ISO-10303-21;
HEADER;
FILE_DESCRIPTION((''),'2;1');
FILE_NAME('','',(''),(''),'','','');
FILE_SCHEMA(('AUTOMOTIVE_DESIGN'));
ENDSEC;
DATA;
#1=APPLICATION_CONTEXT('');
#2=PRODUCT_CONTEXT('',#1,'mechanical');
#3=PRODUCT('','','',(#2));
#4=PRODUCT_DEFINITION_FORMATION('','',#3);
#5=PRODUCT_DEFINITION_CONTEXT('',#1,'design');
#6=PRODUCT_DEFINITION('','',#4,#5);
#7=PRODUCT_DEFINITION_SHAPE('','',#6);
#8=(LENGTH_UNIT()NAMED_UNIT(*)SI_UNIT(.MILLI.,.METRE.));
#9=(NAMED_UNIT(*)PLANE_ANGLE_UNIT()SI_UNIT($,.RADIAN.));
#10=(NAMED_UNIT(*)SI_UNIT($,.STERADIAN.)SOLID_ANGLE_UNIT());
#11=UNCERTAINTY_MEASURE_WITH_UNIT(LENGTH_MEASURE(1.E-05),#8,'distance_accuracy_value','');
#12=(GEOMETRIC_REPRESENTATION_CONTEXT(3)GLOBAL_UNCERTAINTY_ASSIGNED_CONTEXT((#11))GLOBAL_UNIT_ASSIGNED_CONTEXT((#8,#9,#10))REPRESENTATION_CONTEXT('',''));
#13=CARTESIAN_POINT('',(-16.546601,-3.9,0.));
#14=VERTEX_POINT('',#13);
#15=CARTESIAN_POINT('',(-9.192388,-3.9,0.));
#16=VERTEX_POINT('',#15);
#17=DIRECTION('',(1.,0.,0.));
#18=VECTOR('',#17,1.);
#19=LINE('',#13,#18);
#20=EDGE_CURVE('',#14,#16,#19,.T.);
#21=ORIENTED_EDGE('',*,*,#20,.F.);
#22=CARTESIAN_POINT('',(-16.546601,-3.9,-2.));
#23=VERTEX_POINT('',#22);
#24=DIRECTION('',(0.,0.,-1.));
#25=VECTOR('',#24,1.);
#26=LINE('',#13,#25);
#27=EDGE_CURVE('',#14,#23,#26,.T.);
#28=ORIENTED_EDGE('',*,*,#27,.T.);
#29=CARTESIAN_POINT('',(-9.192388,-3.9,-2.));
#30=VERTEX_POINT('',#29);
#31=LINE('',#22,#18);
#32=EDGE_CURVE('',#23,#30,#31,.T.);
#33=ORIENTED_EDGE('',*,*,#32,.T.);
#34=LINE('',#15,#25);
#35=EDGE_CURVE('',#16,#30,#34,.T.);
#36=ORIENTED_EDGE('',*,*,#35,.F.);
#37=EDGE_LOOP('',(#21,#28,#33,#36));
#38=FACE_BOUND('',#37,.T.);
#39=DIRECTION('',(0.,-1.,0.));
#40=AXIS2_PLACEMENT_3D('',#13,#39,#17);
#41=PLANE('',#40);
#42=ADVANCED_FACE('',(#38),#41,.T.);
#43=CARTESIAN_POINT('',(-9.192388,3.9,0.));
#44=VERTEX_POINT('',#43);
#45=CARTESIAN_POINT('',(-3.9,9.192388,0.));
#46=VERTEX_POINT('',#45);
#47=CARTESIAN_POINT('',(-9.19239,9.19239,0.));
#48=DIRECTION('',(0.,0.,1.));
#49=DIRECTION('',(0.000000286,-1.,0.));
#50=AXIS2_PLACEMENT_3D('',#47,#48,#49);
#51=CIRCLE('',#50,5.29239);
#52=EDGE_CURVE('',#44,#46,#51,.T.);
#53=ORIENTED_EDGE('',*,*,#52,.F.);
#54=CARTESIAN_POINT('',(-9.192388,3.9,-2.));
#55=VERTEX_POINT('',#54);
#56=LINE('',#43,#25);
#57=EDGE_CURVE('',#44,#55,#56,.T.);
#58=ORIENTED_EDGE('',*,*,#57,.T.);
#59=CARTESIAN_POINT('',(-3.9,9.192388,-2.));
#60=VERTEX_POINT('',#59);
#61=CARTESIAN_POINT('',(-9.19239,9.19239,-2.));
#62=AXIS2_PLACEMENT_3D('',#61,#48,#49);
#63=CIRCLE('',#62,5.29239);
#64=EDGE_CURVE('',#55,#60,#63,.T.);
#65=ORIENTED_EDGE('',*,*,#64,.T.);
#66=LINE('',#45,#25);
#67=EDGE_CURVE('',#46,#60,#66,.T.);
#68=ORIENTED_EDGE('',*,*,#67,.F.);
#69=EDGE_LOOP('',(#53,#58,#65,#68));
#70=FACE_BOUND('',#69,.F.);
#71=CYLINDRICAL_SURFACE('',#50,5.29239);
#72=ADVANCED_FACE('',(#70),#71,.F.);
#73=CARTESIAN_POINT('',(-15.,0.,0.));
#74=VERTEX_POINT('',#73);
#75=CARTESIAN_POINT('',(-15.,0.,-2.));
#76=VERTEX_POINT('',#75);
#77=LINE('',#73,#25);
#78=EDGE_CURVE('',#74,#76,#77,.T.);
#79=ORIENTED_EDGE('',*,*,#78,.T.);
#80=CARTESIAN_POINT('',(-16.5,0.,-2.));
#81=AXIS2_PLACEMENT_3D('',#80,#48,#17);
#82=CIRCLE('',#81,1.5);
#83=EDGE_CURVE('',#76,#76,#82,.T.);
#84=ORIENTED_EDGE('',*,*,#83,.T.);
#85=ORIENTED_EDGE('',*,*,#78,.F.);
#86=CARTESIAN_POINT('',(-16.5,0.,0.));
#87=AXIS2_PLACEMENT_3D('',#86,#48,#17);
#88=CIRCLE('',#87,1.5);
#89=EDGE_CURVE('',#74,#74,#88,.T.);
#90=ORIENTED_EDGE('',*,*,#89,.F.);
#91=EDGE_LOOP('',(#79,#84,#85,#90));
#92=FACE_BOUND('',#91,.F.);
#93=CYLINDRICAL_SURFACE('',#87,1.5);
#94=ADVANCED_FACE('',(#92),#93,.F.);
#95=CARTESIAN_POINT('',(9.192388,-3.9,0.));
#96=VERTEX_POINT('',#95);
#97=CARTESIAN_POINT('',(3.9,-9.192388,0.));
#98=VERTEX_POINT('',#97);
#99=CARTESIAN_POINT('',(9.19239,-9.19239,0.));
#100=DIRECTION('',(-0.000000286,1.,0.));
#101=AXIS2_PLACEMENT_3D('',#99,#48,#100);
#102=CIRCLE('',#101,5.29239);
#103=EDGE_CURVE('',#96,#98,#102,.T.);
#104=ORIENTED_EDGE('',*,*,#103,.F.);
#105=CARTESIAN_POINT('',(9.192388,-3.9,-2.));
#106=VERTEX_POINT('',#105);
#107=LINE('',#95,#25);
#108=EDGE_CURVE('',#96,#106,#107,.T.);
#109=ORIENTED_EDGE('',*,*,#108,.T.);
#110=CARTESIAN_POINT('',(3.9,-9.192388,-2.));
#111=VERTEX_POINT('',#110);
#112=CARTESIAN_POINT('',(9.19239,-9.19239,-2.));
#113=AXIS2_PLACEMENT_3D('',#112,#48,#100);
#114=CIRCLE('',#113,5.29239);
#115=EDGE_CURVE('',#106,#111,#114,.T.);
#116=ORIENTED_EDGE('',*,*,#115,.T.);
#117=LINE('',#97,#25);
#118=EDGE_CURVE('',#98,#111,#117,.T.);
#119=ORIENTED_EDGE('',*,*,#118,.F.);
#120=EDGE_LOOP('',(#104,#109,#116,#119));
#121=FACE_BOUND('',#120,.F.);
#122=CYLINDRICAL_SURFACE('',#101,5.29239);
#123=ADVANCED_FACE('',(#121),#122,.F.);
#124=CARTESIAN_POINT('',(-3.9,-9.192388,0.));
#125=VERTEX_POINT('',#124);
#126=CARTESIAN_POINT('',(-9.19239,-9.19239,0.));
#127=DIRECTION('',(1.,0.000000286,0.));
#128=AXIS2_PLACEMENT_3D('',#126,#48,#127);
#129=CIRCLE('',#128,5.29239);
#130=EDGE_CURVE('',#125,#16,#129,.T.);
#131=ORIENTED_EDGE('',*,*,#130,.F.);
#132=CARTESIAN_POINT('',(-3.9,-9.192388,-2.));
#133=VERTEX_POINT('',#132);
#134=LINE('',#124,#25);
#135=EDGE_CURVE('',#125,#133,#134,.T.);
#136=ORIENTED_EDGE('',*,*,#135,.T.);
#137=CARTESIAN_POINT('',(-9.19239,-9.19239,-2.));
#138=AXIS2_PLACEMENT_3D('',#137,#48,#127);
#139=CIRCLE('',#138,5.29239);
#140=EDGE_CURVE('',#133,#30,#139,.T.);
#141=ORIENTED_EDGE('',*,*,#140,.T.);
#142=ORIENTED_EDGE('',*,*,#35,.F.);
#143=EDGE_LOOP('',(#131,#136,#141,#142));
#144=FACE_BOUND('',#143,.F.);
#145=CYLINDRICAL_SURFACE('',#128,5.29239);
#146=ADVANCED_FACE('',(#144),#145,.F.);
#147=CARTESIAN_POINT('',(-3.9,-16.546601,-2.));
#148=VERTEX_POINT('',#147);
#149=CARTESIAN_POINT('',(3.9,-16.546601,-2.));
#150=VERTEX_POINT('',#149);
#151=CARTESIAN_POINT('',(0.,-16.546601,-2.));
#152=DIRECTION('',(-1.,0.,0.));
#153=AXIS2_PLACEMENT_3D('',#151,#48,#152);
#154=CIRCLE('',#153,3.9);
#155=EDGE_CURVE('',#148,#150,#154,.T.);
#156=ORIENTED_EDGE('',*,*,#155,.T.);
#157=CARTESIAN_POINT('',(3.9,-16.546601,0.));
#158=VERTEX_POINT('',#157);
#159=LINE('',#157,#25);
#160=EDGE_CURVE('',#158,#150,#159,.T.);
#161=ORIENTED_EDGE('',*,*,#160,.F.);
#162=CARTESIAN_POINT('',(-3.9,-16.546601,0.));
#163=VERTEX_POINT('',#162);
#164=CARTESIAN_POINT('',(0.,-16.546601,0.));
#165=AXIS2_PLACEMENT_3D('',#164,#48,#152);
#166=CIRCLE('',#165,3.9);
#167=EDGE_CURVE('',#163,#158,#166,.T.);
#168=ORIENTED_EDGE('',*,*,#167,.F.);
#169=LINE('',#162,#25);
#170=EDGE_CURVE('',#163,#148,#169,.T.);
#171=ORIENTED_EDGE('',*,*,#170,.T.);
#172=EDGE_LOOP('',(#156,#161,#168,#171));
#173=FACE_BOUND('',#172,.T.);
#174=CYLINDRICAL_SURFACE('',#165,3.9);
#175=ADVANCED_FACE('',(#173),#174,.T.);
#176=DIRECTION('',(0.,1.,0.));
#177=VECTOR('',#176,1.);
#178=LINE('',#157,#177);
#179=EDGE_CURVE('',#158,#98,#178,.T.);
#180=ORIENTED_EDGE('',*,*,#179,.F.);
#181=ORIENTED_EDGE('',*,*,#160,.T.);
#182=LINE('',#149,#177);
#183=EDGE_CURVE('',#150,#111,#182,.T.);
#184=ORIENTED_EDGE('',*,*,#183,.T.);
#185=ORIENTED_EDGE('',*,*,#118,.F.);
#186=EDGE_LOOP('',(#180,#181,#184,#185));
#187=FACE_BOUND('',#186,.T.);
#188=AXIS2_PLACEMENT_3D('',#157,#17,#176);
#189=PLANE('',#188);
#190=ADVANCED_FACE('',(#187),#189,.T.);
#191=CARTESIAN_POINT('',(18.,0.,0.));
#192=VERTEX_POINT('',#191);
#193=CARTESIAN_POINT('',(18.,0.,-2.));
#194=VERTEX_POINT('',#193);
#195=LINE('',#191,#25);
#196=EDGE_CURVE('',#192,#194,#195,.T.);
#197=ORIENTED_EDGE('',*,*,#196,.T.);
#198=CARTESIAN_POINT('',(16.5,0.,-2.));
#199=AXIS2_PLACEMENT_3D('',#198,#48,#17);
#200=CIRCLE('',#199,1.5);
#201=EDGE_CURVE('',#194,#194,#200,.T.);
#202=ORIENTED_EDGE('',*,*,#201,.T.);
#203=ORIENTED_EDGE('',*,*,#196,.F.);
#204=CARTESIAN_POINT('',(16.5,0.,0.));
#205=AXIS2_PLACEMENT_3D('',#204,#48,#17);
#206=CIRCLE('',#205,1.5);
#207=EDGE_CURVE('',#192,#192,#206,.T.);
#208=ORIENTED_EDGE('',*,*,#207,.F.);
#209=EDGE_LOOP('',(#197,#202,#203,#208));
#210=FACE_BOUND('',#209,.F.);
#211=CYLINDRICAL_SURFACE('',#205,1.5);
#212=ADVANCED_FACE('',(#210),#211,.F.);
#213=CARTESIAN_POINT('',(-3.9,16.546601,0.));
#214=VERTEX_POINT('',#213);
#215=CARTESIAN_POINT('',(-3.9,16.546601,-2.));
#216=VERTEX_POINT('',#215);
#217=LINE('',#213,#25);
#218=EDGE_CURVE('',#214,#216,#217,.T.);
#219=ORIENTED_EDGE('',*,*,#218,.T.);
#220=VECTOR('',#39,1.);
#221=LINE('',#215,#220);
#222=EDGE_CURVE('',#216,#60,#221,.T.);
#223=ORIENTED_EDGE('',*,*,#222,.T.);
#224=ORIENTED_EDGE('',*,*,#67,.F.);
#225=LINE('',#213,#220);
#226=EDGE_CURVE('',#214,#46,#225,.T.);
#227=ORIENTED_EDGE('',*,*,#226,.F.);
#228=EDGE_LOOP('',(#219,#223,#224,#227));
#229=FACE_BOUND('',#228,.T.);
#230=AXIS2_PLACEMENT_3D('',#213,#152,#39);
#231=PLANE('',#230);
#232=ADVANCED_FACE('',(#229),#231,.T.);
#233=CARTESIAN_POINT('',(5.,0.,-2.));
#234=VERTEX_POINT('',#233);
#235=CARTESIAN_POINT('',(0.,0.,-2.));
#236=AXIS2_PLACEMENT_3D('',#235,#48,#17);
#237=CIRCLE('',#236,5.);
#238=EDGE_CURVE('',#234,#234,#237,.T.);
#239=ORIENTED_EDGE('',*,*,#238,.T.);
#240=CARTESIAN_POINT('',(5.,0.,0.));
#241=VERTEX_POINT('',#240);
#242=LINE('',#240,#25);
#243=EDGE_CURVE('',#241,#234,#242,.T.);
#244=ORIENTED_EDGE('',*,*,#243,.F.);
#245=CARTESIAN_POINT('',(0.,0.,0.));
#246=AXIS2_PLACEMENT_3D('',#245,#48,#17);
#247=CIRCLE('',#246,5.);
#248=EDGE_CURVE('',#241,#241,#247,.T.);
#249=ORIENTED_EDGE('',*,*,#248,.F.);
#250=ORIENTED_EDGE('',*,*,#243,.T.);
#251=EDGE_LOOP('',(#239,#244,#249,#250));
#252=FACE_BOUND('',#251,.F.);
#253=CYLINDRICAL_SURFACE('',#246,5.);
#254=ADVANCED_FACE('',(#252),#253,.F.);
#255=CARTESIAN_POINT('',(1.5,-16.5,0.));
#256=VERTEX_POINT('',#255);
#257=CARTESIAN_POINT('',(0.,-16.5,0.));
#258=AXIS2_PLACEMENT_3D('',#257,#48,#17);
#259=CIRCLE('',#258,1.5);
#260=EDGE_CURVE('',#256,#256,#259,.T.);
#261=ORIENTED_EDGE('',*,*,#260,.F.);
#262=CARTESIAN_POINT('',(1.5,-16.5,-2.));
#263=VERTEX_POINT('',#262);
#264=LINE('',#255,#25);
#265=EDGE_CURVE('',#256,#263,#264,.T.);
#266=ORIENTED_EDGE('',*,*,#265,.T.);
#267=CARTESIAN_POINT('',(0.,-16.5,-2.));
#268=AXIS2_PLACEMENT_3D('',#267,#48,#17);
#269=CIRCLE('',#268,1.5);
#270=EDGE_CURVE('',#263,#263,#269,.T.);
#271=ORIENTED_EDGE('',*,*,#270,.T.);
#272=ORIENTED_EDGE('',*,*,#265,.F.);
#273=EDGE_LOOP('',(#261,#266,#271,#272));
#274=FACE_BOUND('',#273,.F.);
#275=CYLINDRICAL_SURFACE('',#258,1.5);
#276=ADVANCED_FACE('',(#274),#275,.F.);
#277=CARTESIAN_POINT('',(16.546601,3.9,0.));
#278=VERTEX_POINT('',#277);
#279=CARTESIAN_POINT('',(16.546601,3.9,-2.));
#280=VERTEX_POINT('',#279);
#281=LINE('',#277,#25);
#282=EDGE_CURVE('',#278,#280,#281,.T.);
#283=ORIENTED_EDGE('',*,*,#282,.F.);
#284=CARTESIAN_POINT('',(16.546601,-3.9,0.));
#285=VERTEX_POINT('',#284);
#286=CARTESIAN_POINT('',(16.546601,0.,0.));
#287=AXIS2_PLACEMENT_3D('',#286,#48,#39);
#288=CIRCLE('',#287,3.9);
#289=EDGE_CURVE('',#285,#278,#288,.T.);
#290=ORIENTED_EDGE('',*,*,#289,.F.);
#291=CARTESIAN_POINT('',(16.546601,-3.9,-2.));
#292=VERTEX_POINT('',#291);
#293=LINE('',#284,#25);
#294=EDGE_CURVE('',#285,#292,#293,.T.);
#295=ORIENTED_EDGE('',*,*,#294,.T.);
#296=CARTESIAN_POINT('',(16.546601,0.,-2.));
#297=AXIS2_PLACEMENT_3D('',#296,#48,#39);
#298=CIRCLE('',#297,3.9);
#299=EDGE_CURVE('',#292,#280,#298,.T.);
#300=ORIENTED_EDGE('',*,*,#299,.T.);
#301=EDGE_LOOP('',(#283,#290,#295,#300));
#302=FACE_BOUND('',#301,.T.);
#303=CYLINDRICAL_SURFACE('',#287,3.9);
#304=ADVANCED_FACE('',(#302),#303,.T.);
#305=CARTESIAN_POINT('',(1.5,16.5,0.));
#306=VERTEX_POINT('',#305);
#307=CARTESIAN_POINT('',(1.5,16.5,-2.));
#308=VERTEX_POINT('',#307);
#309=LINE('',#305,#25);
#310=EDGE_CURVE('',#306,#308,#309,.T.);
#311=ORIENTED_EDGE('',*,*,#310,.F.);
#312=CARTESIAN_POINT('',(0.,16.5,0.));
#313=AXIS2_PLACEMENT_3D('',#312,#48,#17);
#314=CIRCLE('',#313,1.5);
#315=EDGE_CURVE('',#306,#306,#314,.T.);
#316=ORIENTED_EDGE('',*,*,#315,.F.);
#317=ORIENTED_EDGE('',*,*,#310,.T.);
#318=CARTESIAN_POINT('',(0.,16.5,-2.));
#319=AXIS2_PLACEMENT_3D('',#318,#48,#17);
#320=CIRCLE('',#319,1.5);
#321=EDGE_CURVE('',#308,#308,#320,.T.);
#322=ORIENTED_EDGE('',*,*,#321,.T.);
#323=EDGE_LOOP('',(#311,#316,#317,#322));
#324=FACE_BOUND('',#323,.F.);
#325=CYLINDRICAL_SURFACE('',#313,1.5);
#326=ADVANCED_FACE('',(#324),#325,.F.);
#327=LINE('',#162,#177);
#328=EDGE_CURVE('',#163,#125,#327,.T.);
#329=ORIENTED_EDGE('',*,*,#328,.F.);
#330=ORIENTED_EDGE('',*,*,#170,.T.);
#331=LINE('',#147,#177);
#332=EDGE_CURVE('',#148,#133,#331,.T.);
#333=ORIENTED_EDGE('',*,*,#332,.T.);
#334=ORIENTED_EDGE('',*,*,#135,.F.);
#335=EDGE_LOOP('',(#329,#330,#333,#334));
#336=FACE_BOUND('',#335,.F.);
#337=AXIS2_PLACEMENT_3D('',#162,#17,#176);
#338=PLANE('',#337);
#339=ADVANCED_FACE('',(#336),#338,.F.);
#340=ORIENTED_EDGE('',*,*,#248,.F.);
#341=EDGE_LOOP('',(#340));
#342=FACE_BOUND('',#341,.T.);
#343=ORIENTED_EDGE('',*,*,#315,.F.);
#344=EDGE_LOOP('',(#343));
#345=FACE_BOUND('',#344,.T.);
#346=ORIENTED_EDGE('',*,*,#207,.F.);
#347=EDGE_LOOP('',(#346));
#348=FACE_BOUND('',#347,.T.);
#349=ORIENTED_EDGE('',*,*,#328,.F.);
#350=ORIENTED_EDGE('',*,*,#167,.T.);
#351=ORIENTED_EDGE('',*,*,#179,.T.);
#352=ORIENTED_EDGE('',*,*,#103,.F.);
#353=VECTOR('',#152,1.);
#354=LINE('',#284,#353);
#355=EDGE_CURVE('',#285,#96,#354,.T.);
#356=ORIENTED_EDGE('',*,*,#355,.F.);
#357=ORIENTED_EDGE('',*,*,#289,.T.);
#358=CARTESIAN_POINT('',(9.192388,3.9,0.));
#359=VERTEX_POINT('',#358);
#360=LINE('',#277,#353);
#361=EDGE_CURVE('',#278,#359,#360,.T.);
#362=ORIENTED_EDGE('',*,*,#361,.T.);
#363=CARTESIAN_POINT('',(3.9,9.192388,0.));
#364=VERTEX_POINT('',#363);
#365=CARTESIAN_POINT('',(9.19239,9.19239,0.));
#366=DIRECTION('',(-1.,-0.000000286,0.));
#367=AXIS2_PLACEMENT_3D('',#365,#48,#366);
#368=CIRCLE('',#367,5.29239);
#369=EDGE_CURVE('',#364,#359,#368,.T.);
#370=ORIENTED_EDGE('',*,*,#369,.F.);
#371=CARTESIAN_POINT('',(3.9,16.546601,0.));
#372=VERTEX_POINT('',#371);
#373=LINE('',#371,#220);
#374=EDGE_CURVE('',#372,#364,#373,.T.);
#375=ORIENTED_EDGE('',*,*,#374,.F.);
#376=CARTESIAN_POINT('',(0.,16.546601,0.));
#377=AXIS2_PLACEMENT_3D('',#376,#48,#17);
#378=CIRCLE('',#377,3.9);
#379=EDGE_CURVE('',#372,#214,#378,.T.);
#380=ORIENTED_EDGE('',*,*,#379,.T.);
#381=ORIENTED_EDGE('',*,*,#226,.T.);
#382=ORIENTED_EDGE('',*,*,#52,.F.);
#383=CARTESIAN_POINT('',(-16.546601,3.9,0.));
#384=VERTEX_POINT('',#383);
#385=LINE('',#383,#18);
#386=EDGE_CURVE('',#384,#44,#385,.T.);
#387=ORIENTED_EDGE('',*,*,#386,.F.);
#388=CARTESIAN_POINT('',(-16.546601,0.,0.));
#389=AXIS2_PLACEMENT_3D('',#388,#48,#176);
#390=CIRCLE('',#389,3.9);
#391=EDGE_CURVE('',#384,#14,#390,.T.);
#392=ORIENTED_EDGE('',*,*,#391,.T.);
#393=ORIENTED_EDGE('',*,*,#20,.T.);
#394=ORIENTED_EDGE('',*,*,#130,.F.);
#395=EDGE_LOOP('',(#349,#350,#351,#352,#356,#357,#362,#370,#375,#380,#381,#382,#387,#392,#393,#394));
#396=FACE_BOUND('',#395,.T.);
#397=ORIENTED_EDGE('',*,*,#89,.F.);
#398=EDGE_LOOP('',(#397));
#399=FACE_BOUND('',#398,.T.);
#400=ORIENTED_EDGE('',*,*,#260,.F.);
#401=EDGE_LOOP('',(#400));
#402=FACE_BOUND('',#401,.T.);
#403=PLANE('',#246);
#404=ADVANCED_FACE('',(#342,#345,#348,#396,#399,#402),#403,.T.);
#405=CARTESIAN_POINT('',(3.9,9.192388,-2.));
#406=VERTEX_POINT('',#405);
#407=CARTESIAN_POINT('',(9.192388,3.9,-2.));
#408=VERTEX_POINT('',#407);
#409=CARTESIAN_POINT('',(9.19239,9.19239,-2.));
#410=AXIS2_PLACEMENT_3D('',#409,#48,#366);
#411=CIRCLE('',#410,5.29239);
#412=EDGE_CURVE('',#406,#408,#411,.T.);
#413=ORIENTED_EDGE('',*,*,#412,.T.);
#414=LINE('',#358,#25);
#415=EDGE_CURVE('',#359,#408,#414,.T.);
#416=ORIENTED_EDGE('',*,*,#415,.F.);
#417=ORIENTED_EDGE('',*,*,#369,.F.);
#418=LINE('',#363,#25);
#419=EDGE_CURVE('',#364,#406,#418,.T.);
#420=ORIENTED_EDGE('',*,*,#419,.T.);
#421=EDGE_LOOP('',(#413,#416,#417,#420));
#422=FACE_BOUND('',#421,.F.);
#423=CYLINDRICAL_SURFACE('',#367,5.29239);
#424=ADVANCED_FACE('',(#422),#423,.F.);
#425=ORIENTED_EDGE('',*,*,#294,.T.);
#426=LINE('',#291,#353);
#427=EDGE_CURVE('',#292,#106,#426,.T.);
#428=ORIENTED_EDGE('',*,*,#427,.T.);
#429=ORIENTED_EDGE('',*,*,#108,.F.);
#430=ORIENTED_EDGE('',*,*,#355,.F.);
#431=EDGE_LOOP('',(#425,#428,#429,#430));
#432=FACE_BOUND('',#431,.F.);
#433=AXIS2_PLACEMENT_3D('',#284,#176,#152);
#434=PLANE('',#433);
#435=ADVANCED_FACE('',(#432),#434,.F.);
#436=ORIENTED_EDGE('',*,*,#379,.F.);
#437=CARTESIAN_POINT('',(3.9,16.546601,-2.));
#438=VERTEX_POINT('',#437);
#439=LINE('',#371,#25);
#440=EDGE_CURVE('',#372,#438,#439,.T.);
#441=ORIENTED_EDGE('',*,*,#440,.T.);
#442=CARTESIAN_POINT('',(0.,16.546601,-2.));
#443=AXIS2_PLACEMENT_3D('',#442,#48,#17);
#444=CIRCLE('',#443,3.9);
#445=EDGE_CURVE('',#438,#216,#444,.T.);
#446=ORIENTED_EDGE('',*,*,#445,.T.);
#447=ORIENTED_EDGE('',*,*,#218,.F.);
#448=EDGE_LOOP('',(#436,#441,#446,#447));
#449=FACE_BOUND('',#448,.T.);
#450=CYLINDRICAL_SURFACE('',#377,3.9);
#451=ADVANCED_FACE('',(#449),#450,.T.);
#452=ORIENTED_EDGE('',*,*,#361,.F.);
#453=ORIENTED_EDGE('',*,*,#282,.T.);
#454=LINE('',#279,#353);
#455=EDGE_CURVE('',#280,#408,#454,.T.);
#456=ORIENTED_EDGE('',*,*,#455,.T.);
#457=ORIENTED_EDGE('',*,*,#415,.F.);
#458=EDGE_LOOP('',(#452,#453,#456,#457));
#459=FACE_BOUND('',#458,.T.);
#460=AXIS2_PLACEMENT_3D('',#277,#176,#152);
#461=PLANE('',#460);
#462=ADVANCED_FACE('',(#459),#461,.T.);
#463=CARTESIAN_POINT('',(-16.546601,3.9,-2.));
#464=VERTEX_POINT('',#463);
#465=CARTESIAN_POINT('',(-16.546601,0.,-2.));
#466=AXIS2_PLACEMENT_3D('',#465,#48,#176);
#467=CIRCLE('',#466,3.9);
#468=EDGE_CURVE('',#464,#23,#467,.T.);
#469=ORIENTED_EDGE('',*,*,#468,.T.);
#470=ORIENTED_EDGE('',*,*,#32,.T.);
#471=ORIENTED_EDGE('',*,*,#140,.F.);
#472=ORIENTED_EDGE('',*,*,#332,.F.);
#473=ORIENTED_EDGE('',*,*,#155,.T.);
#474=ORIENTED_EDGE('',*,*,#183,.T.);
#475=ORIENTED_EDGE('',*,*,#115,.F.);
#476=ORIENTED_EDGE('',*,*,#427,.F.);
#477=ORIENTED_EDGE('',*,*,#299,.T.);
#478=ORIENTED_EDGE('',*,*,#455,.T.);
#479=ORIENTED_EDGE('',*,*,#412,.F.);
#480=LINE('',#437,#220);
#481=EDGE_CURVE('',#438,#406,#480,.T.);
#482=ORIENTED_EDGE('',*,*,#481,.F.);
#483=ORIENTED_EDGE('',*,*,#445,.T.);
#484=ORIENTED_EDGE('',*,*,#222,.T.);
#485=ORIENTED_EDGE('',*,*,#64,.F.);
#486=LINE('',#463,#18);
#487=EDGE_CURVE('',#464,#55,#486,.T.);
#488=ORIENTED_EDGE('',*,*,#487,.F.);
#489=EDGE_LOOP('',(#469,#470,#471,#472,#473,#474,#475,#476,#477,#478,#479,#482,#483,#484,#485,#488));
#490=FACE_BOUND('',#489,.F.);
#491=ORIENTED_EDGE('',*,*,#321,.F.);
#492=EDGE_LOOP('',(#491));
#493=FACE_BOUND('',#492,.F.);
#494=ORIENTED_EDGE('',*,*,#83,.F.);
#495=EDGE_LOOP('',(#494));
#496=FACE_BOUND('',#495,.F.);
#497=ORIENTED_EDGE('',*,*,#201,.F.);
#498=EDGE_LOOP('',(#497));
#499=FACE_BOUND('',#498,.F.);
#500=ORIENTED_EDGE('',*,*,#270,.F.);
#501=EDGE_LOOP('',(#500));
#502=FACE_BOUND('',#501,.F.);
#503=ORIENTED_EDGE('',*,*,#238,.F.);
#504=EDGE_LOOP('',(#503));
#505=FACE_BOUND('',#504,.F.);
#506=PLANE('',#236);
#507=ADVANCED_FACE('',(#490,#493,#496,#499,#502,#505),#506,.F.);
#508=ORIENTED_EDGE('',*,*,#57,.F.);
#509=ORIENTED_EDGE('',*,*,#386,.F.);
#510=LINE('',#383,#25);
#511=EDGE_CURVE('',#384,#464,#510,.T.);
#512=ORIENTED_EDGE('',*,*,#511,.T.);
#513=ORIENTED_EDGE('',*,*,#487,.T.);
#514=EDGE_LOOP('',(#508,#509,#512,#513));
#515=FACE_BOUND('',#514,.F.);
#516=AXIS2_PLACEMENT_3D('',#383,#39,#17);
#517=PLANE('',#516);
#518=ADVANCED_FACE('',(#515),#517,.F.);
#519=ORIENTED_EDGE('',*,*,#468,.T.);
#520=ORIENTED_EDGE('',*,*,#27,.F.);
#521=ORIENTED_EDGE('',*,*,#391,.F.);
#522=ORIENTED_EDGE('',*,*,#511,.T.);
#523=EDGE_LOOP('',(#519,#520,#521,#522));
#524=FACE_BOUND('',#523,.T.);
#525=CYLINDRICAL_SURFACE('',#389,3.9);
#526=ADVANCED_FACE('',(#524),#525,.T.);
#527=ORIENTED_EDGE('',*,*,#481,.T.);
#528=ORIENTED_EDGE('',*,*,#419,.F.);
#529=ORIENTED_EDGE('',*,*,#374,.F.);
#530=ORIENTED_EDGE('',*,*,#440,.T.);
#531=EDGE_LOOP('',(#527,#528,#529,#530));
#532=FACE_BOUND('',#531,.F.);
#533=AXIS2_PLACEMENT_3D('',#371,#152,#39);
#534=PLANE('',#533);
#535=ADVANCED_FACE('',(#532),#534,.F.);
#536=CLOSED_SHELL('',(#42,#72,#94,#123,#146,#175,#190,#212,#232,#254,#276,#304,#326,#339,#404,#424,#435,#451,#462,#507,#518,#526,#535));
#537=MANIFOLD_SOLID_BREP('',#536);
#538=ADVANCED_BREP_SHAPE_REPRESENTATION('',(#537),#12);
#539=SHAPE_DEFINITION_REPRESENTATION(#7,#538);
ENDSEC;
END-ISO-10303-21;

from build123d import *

# Parameters (mm, degrees)
SKETCH_R   = 5
SKETCH_R_2 = 1.5
PAD_DEPTH  = 2


with BuildPart() as part:
    # Sketch → Pad (new body)
    with BuildSketch(Plane.XY):
        with BuildLine():
            ThreePointArc((-16.546601, 3.9), (-20.446601, 0), (-16.546601, -3.9))
            Line((-16.546601, -3.9), (-9.192388, -3.9))
            ThreePointArc((-3.9, -9.192388), (-5.450105, -5.450105), (-9.192388, -3.9))
            Line((-3.9, -16.546601), (-3.9, -9.192388))
            ThreePointArc((-3.9, -16.546601), (0, -20.446601), (3.9, -16.546601))
            Line((3.9, -16.546601), (3.9, -9.192388))
            ThreePointArc((9.192388, -3.9), (5.450105, -5.450105), (3.9, -9.192388))
            Line((16.546601, -3.9), (9.192388, -3.9))
            ThreePointArc((16.546601, -3.9), (20.446601, 0), (16.546601, 3.9))
            Line((16.546601, 3.9), (9.192388, 3.9))
            ThreePointArc((3.9, 9.192388), (5.450105, 5.450105), (9.192388, 3.9))
            Line((3.9, 16.546601), (3.9, 9.192388))
            ThreePointArc((3.9, 16.546601), (0, 20.446601), (-3.9, 16.546601))
            Line((-3.9, 16.546601), (-3.9, 9.192388))
            ThreePointArc((-9.192388, 3.9), (-5.450105, 5.450105), (-3.9, 9.192388))
            Line((-16.546601, 3.9), (-9.192388, 3.9))
        make_face()
        Circle(SKETCH_R, mode=Mode.SUBTRACT)
        with Locations((0, 16.5)):
            Circle(SKETCH_R_2, mode=Mode.SUBTRACT)
        with Locations((16.5, 0)):
            Circle(SKETCH_R_2, mode=Mode.SUBTRACT)
        with Locations((0, -16.5)):
            Circle(SKETCH_R_2, mode=Mode.SUBTRACT)
        with Locations((-16.5, 0)):
            Circle(SKETCH_R_2, mode=Mode.SUBTRACT)
    extrude(amount=-PAD_DEPTH)


solid = part.part
